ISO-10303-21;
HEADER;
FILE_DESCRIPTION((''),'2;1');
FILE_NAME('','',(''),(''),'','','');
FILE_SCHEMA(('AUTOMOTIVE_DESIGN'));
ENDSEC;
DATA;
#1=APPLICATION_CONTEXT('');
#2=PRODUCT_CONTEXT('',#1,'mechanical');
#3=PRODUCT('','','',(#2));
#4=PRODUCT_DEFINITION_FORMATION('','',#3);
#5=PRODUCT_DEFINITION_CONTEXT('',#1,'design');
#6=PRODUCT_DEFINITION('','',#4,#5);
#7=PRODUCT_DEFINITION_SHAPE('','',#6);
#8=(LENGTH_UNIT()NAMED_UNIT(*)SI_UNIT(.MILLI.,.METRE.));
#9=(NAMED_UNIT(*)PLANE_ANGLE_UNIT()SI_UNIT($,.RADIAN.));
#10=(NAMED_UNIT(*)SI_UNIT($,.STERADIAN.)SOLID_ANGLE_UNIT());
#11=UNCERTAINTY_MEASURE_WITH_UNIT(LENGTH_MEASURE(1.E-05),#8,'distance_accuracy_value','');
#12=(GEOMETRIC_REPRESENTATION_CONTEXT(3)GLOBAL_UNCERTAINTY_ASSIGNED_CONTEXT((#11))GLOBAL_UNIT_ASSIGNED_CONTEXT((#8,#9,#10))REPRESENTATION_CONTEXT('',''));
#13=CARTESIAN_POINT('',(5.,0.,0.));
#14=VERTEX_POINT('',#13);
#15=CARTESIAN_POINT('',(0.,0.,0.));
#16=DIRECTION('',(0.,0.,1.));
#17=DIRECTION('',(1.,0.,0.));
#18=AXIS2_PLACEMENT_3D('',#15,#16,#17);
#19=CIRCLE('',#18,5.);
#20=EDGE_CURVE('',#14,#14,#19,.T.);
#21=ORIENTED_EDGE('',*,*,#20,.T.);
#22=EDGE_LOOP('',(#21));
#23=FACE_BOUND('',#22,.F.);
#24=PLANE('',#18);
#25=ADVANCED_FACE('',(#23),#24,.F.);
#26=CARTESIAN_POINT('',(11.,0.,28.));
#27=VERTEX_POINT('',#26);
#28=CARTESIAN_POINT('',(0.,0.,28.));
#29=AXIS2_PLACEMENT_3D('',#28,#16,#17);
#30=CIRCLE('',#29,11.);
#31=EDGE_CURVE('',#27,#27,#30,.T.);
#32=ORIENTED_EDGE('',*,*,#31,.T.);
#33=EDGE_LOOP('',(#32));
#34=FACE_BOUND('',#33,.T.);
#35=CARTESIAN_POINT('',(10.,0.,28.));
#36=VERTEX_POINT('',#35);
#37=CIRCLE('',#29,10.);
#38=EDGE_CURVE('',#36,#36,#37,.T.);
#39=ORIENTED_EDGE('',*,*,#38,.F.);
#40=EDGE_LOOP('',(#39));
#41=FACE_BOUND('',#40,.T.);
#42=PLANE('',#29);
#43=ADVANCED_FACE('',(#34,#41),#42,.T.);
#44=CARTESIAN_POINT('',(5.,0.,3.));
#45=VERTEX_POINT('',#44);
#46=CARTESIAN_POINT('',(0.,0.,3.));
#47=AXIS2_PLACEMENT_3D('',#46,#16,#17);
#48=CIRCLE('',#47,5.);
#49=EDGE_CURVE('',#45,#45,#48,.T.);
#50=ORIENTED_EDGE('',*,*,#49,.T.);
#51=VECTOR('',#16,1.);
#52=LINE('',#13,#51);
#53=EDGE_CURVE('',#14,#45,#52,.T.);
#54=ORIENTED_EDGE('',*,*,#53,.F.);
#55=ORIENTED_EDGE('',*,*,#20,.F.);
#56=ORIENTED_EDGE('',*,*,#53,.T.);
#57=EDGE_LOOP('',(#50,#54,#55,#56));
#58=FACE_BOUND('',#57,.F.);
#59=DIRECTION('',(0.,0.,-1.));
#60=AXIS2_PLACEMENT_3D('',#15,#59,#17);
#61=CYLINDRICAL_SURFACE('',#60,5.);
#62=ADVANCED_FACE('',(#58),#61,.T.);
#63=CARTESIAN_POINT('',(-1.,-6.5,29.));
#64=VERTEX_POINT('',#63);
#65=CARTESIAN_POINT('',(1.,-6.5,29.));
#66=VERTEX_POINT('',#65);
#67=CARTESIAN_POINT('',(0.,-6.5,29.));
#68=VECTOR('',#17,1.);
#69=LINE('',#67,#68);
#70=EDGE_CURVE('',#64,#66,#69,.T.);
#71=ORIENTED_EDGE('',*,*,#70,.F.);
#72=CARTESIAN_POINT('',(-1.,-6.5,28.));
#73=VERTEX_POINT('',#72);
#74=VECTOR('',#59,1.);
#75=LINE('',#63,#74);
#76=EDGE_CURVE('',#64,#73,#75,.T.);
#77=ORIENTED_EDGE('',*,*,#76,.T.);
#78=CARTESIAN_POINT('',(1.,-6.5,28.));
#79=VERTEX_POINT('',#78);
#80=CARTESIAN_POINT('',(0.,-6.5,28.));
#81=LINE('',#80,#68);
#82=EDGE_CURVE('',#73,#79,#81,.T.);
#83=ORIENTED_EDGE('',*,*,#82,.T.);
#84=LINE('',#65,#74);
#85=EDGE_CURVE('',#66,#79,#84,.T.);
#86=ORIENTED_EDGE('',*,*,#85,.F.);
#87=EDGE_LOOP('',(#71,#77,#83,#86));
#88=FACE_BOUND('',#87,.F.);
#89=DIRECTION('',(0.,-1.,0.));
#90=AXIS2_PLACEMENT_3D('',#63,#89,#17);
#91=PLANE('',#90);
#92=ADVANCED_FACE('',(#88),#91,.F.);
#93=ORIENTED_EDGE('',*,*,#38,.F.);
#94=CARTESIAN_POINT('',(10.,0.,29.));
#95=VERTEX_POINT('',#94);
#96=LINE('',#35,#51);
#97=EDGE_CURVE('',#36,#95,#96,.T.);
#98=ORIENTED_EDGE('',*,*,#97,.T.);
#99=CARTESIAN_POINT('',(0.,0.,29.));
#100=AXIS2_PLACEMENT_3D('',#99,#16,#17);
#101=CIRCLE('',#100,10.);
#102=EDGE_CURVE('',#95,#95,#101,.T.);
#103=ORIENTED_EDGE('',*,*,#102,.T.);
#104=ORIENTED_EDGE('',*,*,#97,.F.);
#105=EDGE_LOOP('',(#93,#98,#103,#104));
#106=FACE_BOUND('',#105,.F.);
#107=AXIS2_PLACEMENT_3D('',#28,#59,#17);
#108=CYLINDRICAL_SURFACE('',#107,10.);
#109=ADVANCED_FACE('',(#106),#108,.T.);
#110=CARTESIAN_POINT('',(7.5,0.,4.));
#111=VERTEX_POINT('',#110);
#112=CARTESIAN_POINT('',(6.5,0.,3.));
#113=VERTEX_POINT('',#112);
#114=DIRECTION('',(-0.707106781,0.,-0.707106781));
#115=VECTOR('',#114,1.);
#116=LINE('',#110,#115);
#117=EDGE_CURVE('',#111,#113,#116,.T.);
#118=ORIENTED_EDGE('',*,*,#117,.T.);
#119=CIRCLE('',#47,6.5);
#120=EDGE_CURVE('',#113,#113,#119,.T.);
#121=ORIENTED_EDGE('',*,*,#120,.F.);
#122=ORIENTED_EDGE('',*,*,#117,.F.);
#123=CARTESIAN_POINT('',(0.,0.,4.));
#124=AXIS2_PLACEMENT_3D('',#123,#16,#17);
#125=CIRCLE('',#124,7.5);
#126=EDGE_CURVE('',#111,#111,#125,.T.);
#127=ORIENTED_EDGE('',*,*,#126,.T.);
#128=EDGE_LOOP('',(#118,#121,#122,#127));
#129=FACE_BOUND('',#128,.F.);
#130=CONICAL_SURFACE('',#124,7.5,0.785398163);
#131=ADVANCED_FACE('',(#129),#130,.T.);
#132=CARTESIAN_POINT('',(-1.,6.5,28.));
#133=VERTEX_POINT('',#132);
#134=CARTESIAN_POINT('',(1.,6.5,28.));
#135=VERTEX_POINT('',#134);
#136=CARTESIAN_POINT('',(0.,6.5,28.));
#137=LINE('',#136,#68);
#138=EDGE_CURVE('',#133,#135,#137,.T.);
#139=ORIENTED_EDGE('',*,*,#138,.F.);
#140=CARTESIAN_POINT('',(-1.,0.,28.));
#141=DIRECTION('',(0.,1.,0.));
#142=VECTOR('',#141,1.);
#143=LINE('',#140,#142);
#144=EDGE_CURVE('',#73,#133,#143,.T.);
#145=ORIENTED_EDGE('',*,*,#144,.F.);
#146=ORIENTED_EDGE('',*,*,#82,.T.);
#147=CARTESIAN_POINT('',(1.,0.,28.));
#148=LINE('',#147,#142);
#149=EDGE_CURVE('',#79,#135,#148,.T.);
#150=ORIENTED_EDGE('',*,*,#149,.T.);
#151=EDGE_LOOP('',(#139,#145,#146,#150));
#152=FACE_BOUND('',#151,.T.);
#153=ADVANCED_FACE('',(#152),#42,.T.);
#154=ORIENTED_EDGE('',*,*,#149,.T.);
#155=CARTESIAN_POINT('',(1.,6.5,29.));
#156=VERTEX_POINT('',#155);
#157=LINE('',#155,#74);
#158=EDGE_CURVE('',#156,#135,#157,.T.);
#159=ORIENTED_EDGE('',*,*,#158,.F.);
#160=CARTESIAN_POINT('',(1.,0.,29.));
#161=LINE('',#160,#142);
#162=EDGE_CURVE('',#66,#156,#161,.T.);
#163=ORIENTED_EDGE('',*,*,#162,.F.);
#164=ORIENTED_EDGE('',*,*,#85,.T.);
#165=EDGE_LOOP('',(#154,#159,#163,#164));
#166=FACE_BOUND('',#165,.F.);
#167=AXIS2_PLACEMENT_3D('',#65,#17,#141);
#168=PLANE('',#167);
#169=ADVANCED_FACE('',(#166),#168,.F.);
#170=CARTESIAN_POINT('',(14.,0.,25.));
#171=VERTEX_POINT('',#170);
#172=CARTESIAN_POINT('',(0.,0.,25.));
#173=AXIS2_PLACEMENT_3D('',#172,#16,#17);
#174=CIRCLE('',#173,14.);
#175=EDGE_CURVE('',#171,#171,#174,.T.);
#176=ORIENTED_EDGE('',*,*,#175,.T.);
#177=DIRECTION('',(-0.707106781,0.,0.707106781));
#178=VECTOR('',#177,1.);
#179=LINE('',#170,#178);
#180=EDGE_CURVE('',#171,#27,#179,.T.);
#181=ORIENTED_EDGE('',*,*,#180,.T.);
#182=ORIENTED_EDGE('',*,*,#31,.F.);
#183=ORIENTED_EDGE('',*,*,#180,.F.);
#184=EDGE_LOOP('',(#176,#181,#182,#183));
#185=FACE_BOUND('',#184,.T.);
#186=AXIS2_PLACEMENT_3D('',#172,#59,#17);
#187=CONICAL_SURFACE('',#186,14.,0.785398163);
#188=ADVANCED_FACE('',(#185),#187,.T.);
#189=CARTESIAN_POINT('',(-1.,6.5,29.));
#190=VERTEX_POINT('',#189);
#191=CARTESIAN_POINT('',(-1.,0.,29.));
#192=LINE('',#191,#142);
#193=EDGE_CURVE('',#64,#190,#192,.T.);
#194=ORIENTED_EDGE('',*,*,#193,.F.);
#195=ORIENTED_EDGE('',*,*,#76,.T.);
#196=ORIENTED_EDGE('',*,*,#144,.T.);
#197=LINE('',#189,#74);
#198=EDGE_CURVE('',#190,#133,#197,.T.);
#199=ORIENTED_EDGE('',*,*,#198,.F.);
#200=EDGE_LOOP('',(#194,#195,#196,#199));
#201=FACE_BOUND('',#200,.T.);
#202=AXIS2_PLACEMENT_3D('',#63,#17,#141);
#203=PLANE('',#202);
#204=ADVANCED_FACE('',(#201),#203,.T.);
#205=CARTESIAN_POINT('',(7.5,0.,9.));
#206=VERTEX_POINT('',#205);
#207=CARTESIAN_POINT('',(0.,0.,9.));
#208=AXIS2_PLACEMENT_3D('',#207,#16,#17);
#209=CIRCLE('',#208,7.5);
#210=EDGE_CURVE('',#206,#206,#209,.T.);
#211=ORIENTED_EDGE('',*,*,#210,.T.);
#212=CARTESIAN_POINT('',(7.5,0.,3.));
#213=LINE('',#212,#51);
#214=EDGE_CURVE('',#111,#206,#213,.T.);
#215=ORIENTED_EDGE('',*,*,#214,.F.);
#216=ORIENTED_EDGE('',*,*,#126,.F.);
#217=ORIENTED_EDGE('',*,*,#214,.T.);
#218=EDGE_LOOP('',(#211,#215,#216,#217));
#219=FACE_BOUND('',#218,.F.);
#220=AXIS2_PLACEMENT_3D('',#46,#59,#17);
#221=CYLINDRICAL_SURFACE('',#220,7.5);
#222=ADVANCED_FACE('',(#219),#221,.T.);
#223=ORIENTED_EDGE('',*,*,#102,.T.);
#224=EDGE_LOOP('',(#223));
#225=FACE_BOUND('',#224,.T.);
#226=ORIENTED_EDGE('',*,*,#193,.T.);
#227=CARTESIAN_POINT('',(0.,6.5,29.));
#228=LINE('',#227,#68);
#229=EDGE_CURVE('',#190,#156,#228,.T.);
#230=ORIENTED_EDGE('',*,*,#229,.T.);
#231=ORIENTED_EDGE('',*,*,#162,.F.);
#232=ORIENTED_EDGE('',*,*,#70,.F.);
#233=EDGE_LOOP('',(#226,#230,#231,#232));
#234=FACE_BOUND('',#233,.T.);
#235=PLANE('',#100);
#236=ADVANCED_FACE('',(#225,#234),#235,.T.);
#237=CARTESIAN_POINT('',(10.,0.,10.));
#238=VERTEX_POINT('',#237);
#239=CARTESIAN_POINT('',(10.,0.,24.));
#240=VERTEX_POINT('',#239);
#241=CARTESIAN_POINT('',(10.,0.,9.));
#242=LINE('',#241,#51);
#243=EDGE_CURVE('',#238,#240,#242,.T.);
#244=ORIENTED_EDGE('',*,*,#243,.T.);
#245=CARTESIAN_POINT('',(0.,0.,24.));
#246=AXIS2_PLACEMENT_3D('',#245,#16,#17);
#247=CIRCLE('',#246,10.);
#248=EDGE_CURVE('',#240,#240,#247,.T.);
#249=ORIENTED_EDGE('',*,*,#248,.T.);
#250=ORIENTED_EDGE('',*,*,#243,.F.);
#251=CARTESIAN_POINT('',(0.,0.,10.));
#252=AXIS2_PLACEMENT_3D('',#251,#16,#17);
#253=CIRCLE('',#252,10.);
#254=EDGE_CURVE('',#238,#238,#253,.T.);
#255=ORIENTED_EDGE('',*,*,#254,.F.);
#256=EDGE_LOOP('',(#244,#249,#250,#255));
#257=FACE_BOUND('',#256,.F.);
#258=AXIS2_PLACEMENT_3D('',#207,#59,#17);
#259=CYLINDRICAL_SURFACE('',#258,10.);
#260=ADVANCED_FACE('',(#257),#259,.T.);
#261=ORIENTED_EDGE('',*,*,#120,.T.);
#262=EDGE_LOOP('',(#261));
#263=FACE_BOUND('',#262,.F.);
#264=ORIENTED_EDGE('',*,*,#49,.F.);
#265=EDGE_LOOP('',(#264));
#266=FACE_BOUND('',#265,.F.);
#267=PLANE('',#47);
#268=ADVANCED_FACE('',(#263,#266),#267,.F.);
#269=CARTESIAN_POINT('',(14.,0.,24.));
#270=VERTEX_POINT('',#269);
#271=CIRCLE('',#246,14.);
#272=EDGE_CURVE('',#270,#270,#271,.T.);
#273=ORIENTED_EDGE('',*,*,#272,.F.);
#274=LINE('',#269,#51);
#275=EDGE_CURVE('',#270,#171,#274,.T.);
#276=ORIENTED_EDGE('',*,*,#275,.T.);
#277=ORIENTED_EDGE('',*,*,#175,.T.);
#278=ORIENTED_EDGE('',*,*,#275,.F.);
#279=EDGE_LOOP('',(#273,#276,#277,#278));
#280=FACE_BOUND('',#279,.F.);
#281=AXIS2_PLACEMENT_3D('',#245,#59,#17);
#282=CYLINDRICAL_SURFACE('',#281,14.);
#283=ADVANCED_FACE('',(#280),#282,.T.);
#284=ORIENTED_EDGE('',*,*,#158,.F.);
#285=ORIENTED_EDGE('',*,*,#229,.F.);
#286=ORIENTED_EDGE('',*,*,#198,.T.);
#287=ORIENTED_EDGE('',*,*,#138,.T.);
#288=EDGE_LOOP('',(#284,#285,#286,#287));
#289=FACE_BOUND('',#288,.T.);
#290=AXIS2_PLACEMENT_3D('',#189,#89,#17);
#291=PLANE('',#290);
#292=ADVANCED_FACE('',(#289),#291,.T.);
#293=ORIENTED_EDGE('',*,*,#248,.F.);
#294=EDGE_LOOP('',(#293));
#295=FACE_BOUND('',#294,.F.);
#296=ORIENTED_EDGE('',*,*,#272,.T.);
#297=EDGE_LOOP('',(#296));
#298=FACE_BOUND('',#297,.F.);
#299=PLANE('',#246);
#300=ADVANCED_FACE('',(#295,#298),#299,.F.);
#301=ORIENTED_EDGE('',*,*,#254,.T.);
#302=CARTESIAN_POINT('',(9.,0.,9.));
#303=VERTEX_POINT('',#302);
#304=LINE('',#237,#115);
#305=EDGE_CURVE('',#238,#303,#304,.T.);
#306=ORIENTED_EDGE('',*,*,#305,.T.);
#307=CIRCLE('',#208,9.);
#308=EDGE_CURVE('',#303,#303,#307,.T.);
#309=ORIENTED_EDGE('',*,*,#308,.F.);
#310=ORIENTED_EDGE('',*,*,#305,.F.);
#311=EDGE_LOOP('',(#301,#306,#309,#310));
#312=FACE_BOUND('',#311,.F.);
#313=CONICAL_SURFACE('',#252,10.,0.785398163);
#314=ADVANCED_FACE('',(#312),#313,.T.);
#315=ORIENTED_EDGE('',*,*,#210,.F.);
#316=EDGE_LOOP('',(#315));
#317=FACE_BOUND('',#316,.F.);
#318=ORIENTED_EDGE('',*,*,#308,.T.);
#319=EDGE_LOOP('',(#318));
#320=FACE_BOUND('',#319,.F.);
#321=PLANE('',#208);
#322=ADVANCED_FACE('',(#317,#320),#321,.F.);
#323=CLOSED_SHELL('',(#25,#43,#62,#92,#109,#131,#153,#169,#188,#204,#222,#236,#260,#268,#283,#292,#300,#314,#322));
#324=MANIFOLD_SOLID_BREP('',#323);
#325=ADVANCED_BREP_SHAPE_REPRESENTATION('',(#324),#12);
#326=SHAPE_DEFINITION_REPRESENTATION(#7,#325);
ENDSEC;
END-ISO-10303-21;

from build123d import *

# Parameters (mm, degrees)
SKETCH_R        = 5
PAD_DEPTH       = 3
SKETCH001_R     = 7.5
PAD001_DEPTH    = 6
SKETCH002_R     = 10
PAD002_DEPTH    = 15
SKETCH003_R     = 14
PAD003_DEPTH    = 4
SKETCH004_R     = 10
PAD004_DEPTH    = 1
SKETCH005_W     = 2
SKETCH005_H     = 13
POCKET_DEPTH    = 1
CHAMFER_SIZE    = 3
CHAMFER001_SIZE = 1


with BuildPart() as part:
    # Sketch → Pad (new body)
    with BuildSketch(Plane.XY):
        Circle(SKETCH_R)
    extrude(amount=PAD_DEPTH)

    # Sketch001 → Pad001 (new body)
    with BuildSketch(Plane.XY.offset(3)):
        Circle(SKETCH001_R)
    extrude(amount=PAD001_DEPTH)

    # Sketch002 → Pad002 (new body)
    with BuildSketch(Plane.XY.offset(9)):
        Circle(SKETCH002_R)
    extrude(amount=PAD002_DEPTH)

    # Sketch003 → Pad003 (new body)
    with BuildSketch(Plane.XY.offset(24)):
        Circle(SKETCH003_R)
    extrude(amount=PAD003_DEPTH)

    # Sketch004 → Pad004 (new body)
    with BuildSketch(Plane.XY.offset(28)):
        Circle(SKETCH004_R)
    extrude(amount=PAD004_DEPTH)

    # Sketch005 → Pocket (cut)
    with BuildSketch(Plane.XY.offset(29)):
        Rectangle(SKETCH005_W, SKETCH005_H)
    extrude(amount=-POCKET_DEPTH, mode=Mode.SUBTRACT)

    # Chamfer
    chamfer_edges = [part.edges().sort_by_distance(p)[0] for p in [
        (-14, 0, 28),
    ]]
    chamfer(chamfer_edges, length=CHAMFER_SIZE)

    # Chamfer001
    chamfer001_edges = [part.edges().sort_by_distance(p)[0] for p in [
        (-7.5, 0, 3),
        (-10, 0, 9),
    ]]
    chamfer(chamfer001_edges, length=CHAMFER001_SIZE)


solid = part.part
